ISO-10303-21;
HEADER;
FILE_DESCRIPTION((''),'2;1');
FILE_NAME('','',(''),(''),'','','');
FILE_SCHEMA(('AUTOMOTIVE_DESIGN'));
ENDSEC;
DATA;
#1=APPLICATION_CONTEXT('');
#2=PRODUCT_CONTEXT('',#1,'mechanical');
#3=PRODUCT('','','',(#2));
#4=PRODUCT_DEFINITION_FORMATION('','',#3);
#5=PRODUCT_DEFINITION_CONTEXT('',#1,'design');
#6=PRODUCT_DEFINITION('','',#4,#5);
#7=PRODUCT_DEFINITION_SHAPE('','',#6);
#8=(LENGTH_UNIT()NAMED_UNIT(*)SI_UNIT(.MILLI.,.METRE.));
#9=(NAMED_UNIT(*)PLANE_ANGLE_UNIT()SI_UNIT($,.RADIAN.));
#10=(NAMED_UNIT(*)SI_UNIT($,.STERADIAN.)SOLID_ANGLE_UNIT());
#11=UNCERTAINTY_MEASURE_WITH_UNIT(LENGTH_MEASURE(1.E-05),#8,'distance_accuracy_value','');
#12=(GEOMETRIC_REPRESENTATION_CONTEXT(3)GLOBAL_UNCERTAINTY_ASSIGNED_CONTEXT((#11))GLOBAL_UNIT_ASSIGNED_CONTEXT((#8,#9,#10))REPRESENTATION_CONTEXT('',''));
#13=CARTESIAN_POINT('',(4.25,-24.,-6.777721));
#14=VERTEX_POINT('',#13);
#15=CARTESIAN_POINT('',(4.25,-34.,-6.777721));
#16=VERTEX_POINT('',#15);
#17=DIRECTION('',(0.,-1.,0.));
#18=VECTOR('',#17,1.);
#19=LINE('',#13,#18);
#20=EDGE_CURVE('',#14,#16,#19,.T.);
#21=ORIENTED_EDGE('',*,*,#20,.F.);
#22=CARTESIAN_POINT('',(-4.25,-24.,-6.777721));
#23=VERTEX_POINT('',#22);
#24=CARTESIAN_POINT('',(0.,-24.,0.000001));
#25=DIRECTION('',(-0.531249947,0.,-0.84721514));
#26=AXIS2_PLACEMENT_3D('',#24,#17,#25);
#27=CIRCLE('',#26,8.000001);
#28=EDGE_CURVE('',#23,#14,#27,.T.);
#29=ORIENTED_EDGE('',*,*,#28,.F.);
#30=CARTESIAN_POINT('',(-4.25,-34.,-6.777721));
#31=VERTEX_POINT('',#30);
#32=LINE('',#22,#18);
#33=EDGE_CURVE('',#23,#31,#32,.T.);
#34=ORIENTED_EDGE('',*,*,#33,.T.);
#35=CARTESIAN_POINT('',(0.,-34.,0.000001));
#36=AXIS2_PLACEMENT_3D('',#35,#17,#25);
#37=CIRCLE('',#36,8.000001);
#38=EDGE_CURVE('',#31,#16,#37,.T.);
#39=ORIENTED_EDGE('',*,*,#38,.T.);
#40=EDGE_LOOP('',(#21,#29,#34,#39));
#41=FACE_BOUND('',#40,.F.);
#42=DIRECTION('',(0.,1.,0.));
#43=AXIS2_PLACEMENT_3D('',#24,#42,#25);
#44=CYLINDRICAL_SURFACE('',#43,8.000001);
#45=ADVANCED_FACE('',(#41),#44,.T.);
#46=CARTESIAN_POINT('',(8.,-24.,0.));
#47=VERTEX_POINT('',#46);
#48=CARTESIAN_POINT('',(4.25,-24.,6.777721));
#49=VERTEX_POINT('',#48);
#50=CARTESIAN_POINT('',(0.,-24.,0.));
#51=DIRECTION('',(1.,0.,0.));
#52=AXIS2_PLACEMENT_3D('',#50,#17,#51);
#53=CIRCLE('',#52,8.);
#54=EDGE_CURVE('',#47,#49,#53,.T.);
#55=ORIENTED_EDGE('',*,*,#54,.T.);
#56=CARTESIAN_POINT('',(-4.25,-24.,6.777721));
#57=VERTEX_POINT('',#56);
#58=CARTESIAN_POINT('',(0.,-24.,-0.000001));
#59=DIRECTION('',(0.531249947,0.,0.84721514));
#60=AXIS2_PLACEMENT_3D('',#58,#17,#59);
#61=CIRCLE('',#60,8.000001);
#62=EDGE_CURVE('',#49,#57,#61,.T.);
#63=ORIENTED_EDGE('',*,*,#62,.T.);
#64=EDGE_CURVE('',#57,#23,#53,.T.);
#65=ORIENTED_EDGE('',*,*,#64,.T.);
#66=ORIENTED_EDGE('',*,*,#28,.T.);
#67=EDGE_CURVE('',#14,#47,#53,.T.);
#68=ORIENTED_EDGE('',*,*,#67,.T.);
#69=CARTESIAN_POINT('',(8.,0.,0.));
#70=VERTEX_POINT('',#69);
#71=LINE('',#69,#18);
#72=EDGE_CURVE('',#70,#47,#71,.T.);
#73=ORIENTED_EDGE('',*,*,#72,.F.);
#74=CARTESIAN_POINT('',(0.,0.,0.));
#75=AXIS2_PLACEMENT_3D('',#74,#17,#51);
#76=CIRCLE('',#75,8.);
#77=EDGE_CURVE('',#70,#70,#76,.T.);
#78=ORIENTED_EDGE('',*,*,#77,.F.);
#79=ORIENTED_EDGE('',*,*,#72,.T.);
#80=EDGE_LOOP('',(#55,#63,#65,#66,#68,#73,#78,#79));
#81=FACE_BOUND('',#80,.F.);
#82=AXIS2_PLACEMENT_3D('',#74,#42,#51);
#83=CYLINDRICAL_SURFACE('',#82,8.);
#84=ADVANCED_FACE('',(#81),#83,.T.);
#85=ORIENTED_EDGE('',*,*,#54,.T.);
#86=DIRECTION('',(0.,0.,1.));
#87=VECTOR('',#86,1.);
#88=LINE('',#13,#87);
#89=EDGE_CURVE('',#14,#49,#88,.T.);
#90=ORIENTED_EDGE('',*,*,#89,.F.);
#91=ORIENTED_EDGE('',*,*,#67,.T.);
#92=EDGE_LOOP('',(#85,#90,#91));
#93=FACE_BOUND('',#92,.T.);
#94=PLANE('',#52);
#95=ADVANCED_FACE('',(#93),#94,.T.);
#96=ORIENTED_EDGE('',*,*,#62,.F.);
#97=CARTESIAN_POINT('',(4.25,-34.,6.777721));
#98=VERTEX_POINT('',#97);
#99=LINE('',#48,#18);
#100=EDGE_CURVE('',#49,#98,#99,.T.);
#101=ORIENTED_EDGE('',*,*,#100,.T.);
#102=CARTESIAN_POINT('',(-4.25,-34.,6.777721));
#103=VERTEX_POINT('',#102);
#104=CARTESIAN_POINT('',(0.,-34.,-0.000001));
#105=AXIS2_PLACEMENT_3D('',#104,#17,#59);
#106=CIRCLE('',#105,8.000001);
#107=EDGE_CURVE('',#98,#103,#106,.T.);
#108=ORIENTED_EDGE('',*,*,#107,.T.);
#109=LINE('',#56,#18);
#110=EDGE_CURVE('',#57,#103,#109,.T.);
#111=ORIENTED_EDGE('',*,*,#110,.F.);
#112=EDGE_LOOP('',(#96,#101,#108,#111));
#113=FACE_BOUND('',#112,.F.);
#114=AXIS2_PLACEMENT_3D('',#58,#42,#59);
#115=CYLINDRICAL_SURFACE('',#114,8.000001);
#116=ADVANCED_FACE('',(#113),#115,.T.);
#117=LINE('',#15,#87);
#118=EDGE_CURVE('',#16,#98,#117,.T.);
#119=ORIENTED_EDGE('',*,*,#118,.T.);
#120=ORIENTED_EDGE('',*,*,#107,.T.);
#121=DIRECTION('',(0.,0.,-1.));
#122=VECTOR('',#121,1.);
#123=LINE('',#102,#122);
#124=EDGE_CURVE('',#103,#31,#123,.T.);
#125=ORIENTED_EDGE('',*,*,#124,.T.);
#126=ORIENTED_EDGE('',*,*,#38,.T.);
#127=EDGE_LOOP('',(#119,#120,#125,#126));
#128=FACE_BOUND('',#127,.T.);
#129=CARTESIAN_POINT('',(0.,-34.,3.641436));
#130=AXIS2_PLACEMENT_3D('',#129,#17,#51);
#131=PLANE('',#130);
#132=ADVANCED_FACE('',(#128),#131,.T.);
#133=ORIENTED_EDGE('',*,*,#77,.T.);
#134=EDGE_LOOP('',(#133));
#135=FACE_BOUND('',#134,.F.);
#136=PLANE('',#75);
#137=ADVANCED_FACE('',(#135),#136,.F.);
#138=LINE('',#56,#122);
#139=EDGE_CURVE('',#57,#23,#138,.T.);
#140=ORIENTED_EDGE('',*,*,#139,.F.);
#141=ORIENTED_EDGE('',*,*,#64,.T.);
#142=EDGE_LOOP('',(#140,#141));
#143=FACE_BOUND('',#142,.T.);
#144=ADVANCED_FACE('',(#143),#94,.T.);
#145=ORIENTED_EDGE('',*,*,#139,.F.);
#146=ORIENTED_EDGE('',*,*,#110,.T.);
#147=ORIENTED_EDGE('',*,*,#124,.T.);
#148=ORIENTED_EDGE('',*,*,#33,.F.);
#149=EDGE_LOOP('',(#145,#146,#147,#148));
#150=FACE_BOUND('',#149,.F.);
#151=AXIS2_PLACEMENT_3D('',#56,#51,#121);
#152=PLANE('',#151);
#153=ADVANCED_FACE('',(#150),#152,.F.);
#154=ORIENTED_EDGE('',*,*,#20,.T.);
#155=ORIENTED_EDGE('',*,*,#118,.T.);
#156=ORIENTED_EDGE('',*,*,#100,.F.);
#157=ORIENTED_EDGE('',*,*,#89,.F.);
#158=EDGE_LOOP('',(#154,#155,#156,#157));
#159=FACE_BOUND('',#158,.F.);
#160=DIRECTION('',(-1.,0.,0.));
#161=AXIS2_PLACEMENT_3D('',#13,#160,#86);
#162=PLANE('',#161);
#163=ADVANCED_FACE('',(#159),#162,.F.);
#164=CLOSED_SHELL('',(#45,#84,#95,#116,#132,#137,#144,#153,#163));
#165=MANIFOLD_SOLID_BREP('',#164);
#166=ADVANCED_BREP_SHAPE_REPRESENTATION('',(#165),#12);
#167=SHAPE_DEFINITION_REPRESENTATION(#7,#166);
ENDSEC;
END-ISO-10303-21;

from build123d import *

# Parameters (mm, degrees)
F0_R     = 8
F1_DEPTH = 24
F3_DEPTH = 10


with BuildPart() as f1:
    # F0 (on Front) → F1 (new body)
    with BuildSketch(Plane.XZ):
        Circle(F0_R)
    extrude(amount=F1_DEPTH)

    # F2 (on face) → F3 (join)
    with BuildSketch(Plane.XZ.offset(24)):
        with BuildLine():
            Line((-4.25, 0), (0, 0))
            Line((0, 0), (4.25, 0))
            Line((4.25, 0), (4.25, 6.777721))
            ThreePointArc((4.25, 6.777721), (0, 8), (-4.25, 6.777721))
            Line((-4.25, 6.777721), (-4.25, 0))
        make_face()
        with BuildLine():
            Line((4.25, 0), (0, 0))
            Line((0, 0), (-4.25, 0))
            Line((-4.25, 0), (-4.25, -6.777721))
            ThreePointArc((-4.25, -6.777721), (0, -8), (4.25, -6.777721))
            Line((4.25, -6.777721), (4.25, 0))
        make_face()
    extrude(amount=F3_DEPTH)


solid = f1.part
